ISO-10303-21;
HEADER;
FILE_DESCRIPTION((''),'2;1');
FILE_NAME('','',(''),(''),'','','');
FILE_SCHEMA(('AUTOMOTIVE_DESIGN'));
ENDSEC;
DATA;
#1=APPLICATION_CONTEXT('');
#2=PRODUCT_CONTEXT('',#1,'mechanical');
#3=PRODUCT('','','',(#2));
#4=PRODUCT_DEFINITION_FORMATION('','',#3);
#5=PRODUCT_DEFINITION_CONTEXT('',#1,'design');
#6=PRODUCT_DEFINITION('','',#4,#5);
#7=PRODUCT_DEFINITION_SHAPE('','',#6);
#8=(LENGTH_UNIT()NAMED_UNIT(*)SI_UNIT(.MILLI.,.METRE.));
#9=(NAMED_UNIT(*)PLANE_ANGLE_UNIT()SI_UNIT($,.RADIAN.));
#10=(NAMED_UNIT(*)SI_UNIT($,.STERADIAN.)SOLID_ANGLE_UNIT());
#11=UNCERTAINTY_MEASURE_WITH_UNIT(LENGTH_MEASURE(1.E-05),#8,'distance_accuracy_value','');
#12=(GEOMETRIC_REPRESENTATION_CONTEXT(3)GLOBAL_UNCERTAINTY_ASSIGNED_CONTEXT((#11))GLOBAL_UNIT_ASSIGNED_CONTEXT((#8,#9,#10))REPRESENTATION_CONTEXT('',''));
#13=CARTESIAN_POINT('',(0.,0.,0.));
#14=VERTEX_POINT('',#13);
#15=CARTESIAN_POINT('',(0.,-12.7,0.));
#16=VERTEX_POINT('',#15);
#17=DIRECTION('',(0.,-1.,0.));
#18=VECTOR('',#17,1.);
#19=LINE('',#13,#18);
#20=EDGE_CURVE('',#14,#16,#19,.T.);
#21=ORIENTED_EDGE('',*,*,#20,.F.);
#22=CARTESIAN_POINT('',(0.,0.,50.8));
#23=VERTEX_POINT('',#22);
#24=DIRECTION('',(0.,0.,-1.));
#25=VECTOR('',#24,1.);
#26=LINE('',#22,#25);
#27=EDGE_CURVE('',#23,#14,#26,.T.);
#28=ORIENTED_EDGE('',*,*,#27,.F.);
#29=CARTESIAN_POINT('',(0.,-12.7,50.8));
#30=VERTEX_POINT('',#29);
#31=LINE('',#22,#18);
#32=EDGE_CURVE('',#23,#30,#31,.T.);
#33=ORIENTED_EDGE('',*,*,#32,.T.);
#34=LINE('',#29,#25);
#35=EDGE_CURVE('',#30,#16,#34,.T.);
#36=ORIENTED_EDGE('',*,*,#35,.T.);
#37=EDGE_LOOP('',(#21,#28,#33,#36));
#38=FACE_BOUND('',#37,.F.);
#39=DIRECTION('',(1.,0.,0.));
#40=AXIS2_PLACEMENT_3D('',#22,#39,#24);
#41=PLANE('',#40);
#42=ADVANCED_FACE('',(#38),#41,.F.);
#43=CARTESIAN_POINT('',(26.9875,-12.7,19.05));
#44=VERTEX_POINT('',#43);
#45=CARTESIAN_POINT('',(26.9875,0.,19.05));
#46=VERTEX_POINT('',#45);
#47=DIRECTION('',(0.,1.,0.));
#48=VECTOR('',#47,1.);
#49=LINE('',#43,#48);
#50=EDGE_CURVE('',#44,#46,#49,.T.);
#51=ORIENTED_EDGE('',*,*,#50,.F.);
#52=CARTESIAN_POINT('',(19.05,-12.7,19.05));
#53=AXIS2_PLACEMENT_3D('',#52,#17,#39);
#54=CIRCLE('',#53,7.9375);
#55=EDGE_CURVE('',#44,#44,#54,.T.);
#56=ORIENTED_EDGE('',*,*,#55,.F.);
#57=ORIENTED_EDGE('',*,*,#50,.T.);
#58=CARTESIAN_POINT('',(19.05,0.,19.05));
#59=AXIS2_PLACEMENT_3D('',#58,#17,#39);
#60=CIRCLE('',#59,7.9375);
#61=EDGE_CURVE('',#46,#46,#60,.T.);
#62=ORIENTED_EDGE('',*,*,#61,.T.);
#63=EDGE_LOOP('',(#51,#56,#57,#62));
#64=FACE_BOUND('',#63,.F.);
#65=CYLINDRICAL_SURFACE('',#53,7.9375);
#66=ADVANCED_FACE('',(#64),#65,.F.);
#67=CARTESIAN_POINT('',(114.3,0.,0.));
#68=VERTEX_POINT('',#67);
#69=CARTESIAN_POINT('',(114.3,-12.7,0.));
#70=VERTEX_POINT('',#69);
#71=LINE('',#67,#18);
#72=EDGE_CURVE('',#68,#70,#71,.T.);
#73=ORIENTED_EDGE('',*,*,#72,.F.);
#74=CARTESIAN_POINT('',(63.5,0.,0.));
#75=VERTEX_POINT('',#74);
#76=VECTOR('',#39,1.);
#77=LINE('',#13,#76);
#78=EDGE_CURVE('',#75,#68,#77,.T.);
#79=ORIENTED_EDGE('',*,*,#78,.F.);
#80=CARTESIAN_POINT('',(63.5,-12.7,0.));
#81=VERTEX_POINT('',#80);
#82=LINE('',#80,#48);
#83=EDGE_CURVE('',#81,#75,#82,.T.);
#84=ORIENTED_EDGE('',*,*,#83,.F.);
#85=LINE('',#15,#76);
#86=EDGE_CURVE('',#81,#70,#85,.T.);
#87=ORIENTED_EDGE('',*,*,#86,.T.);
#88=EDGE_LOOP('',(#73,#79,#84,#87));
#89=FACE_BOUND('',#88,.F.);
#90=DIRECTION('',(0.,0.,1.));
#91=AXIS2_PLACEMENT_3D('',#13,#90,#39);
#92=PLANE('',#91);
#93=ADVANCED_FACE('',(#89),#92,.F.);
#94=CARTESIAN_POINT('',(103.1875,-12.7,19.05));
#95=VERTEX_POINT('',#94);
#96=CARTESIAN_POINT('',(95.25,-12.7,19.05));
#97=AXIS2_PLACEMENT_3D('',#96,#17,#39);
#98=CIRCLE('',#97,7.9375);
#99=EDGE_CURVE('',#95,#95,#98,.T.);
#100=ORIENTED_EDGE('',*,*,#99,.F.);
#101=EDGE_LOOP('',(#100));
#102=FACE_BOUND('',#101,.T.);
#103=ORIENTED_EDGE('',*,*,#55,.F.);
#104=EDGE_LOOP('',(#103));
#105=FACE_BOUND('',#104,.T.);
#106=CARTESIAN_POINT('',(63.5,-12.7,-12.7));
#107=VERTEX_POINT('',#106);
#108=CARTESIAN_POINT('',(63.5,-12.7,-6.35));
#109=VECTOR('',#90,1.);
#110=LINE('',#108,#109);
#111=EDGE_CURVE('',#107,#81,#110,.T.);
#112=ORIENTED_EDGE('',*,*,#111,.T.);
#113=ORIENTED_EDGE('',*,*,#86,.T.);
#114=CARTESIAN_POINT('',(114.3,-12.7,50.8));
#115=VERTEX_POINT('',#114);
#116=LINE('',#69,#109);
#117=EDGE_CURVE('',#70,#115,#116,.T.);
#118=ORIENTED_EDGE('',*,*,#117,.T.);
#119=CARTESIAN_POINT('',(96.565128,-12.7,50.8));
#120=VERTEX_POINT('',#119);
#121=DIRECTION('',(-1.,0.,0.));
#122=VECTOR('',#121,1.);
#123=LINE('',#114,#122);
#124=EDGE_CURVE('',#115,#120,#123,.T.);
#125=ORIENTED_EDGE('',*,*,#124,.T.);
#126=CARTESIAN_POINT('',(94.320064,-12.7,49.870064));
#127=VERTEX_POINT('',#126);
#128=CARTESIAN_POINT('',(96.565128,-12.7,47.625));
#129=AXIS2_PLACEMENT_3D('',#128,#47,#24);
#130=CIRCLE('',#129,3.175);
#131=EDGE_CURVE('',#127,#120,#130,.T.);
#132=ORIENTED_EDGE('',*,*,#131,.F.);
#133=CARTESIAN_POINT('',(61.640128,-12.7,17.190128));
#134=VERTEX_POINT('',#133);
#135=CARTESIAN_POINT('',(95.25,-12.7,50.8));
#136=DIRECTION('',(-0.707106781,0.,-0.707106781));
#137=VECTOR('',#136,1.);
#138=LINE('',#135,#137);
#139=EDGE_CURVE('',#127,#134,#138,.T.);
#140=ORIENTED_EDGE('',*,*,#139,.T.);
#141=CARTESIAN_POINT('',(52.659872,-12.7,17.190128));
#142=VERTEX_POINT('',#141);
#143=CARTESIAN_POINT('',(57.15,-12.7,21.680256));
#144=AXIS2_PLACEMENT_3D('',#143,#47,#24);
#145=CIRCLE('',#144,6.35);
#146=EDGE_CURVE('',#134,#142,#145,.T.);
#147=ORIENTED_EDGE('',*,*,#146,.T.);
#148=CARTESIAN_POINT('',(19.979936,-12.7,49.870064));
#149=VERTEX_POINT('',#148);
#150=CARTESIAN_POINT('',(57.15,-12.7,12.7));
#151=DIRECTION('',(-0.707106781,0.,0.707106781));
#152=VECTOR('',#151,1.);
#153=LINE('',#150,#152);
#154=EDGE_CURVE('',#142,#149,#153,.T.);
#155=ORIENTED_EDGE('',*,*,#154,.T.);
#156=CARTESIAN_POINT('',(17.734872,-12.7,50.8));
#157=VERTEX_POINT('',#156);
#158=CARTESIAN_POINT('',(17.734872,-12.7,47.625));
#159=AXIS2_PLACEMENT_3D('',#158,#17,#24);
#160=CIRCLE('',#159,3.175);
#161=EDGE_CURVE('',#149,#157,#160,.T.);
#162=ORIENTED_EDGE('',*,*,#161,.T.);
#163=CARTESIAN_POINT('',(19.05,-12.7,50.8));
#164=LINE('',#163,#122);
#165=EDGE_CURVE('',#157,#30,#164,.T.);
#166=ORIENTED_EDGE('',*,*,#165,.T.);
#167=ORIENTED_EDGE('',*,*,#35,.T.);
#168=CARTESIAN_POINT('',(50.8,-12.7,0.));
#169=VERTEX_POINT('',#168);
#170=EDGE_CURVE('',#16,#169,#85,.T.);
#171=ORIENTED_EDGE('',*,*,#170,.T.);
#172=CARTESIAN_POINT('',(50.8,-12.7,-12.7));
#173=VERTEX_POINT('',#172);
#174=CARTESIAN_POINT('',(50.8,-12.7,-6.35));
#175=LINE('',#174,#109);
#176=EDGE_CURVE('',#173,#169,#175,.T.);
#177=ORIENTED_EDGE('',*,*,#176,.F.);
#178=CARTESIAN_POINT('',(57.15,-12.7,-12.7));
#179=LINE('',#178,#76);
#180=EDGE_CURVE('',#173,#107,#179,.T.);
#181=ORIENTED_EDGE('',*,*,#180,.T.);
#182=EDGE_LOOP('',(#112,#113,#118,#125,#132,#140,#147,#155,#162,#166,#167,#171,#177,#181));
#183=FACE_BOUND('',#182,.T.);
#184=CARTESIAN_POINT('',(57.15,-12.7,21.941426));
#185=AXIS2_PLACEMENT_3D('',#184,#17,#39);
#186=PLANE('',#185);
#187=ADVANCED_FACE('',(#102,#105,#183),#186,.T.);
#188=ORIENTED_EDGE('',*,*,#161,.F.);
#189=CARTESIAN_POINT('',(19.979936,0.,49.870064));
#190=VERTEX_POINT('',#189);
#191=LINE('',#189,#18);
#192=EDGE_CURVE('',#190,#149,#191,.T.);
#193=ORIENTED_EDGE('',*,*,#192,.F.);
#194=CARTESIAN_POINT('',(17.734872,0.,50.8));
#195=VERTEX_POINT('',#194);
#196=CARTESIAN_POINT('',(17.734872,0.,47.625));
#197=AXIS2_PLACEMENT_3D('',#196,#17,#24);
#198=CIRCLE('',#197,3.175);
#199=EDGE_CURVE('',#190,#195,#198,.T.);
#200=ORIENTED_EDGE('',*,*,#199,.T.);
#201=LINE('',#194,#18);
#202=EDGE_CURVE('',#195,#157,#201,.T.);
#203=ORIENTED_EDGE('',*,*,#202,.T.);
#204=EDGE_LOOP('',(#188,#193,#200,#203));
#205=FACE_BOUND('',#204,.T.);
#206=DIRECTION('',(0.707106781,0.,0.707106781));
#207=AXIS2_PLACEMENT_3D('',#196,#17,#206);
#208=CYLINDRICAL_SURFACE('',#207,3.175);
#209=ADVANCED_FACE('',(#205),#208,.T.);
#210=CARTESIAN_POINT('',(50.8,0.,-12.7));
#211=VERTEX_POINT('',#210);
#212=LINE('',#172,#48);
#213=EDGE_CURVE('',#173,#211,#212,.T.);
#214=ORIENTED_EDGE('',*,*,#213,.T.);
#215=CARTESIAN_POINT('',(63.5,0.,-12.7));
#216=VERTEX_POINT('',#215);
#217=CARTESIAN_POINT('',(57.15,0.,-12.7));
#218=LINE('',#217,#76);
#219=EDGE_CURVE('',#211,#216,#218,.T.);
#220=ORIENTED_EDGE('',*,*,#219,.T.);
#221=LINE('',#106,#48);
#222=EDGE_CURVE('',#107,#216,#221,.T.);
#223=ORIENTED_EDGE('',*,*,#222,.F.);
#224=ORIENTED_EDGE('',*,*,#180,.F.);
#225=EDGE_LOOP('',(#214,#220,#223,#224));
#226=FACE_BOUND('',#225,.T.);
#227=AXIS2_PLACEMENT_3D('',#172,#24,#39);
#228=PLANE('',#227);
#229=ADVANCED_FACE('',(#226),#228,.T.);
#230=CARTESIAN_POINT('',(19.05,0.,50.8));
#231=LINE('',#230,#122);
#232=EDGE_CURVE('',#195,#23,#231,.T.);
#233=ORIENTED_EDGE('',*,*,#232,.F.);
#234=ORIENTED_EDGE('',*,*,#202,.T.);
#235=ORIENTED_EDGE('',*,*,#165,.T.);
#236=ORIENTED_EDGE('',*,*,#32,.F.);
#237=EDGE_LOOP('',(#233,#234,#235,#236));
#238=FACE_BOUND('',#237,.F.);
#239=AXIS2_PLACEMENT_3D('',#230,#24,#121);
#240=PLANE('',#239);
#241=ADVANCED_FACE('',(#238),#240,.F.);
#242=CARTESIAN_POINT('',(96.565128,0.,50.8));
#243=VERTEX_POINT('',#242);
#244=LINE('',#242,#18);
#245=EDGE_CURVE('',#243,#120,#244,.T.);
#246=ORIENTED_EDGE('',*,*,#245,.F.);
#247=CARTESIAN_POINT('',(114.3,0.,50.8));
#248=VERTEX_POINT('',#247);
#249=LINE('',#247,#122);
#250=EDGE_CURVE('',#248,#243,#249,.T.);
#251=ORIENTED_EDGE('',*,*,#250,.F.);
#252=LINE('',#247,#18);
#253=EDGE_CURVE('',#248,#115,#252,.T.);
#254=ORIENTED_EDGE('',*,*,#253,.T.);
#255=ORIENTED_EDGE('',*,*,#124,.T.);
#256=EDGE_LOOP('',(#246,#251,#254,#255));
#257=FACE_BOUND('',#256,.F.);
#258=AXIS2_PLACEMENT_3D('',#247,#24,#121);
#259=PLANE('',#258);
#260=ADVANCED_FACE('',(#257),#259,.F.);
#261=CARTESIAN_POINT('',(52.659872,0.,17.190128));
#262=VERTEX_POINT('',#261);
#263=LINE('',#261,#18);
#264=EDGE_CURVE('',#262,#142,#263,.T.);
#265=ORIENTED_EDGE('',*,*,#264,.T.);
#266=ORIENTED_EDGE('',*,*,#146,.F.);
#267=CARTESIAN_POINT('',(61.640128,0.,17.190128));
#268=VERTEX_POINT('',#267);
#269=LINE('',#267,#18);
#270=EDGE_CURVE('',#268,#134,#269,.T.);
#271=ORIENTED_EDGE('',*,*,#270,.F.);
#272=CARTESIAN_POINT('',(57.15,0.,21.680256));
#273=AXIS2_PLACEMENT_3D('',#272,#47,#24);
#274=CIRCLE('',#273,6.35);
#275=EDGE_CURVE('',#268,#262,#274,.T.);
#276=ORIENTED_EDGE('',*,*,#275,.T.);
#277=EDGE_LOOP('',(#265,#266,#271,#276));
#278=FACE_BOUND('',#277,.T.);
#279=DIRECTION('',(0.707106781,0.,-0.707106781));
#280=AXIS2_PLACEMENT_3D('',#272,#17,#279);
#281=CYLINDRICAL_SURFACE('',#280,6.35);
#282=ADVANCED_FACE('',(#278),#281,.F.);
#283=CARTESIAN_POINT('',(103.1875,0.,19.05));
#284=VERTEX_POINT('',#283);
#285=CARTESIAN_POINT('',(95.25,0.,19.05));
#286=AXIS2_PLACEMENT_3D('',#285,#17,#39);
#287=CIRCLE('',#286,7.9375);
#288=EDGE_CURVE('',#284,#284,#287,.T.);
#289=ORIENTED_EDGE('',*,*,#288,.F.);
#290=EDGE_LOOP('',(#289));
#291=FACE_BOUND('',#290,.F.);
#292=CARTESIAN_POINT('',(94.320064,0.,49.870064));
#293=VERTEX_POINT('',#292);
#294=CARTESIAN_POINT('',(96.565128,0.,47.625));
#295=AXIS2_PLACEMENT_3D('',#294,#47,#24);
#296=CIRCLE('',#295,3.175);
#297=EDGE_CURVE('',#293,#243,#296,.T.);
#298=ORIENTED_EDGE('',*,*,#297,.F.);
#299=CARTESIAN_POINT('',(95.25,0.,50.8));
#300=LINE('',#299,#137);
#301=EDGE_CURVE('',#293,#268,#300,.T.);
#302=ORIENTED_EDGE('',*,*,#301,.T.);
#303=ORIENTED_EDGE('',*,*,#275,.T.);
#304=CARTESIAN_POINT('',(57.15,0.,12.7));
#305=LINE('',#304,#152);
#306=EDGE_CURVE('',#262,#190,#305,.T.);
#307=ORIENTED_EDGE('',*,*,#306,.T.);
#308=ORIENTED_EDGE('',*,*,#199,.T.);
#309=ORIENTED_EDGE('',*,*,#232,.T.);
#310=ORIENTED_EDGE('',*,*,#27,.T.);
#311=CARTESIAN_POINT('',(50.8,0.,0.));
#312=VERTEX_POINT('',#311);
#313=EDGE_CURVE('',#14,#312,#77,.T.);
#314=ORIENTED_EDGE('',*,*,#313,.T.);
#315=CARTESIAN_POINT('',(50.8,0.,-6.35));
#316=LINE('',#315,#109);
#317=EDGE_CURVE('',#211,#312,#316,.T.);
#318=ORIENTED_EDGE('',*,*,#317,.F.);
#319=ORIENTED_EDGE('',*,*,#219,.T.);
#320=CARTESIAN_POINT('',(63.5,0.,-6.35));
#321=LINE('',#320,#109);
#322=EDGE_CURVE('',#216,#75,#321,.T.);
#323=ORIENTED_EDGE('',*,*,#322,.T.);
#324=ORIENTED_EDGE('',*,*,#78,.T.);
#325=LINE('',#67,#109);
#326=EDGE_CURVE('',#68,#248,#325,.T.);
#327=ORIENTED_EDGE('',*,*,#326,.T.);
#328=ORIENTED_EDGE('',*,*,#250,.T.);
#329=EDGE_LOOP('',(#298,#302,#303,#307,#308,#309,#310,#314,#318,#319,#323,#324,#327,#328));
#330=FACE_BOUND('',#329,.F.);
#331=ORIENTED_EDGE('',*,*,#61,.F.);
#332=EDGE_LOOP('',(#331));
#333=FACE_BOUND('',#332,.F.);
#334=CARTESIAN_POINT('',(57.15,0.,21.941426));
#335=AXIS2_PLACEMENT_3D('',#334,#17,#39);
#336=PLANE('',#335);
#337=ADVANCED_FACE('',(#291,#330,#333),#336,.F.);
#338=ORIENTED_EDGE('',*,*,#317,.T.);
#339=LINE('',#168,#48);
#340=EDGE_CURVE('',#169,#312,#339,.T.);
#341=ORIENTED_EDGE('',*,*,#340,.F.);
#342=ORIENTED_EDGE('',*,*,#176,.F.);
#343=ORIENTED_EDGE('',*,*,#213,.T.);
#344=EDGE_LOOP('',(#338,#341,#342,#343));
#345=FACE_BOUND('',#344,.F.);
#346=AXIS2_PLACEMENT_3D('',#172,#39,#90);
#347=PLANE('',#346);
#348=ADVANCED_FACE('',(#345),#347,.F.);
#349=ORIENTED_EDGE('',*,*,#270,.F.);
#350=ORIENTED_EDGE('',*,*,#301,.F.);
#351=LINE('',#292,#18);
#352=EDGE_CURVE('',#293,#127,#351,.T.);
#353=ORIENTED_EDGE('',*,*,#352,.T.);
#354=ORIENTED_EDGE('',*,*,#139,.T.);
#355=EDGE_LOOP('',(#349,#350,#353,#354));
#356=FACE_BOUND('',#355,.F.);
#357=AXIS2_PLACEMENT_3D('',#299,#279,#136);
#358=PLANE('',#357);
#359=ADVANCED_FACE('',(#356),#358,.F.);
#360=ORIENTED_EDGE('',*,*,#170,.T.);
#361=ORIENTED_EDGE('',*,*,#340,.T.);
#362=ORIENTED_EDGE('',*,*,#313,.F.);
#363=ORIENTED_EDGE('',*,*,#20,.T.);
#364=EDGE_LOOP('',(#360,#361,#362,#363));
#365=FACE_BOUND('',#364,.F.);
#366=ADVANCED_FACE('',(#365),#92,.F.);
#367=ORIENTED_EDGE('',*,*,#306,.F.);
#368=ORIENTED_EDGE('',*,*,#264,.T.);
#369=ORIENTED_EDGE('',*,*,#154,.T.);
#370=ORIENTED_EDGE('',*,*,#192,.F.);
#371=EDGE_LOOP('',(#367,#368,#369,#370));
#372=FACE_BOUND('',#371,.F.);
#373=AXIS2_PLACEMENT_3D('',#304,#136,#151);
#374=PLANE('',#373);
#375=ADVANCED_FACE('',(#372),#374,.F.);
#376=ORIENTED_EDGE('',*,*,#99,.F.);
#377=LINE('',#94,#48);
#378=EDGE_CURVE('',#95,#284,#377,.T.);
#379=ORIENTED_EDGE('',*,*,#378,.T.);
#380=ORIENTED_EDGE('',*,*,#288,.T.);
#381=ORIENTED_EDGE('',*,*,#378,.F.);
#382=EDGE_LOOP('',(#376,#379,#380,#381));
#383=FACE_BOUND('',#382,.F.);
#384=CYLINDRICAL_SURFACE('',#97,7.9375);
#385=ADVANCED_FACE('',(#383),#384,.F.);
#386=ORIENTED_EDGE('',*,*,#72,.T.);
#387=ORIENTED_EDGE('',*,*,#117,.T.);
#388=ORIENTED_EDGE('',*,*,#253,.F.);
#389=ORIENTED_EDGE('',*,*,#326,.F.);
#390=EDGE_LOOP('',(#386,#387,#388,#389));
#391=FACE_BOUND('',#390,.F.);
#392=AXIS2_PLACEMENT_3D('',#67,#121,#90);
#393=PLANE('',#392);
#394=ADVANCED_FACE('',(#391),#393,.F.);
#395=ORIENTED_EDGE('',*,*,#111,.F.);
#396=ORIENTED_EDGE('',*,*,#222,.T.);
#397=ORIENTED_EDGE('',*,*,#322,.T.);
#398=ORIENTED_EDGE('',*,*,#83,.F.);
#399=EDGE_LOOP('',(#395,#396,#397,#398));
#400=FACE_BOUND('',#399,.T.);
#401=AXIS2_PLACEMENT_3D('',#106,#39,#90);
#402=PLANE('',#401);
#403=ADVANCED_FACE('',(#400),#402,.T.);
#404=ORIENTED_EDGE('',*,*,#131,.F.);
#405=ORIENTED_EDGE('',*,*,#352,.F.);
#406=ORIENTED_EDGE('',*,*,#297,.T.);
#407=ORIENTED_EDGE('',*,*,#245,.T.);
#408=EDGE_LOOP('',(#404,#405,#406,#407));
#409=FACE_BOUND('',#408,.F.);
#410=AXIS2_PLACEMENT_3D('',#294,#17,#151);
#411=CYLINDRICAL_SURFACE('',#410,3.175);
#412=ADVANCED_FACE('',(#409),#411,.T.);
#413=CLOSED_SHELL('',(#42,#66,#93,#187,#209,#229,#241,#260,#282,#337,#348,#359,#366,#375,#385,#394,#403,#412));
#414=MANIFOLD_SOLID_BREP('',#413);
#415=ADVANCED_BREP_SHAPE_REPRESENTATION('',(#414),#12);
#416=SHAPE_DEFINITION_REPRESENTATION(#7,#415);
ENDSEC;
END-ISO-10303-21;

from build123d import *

# Parameters (mm, degrees)
F1_DEPTH = 12.7
F2_R     = 6.35
F3_R     = 3.175
F4_W     = 12.7
F4_H     = 12.7
F5_DEPTH = 12.7
F6_R     = 7.9375
F7_DEPTH = 25.4


with BuildPart() as f1:
    # F0 (on Front) → F1 (new body)
    with BuildSketch(Plane.XZ):
        Polygon((0, 50.8), (0, 0), (114.3, 0), (114.3, 50.8), (95.25, 50.8), (57.15, 12.7), (19.05, 50.8), align=None)
    extrude(amount=F1_DEPTH)

    # F2
    f2_edges = [f1.edges().sort_by_distance(p)[0] for p in [
        (57.15, -6.35, 12.7),
    ]]
    fillet(f2_edges, radius=F2_R)

    # F3
    f3_edges = [f1.edges().sort_by_distance(p)[0] for p in [
        (19.05, -6.35, 50.8),
        (95.25, -6.35, 50.8),
    ]]
    fillet(f3_edges, radius=F3_R)

    # F4 (on face) → F5 (join)
    with BuildSketch(Plane.XZ.offset(12.7)):
        with Locations((57.15, -6.35)):
            Rectangle(F4_W, F4_H)
    extrude(amount=-F5_DEPTH)

    # F6 (on face) → F7 (cut)
    with BuildSketch(Plane.XZ.offset(12.7)):
        with Locations((19.05, 19.05)):
            Circle(F6_R)
        with Locations((95.25, 19.05)):
            Circle(F6_R)
    extrude(amount=-F7_DEPTH, mode=Mode.SUBTRACT)


solid = f1.part
